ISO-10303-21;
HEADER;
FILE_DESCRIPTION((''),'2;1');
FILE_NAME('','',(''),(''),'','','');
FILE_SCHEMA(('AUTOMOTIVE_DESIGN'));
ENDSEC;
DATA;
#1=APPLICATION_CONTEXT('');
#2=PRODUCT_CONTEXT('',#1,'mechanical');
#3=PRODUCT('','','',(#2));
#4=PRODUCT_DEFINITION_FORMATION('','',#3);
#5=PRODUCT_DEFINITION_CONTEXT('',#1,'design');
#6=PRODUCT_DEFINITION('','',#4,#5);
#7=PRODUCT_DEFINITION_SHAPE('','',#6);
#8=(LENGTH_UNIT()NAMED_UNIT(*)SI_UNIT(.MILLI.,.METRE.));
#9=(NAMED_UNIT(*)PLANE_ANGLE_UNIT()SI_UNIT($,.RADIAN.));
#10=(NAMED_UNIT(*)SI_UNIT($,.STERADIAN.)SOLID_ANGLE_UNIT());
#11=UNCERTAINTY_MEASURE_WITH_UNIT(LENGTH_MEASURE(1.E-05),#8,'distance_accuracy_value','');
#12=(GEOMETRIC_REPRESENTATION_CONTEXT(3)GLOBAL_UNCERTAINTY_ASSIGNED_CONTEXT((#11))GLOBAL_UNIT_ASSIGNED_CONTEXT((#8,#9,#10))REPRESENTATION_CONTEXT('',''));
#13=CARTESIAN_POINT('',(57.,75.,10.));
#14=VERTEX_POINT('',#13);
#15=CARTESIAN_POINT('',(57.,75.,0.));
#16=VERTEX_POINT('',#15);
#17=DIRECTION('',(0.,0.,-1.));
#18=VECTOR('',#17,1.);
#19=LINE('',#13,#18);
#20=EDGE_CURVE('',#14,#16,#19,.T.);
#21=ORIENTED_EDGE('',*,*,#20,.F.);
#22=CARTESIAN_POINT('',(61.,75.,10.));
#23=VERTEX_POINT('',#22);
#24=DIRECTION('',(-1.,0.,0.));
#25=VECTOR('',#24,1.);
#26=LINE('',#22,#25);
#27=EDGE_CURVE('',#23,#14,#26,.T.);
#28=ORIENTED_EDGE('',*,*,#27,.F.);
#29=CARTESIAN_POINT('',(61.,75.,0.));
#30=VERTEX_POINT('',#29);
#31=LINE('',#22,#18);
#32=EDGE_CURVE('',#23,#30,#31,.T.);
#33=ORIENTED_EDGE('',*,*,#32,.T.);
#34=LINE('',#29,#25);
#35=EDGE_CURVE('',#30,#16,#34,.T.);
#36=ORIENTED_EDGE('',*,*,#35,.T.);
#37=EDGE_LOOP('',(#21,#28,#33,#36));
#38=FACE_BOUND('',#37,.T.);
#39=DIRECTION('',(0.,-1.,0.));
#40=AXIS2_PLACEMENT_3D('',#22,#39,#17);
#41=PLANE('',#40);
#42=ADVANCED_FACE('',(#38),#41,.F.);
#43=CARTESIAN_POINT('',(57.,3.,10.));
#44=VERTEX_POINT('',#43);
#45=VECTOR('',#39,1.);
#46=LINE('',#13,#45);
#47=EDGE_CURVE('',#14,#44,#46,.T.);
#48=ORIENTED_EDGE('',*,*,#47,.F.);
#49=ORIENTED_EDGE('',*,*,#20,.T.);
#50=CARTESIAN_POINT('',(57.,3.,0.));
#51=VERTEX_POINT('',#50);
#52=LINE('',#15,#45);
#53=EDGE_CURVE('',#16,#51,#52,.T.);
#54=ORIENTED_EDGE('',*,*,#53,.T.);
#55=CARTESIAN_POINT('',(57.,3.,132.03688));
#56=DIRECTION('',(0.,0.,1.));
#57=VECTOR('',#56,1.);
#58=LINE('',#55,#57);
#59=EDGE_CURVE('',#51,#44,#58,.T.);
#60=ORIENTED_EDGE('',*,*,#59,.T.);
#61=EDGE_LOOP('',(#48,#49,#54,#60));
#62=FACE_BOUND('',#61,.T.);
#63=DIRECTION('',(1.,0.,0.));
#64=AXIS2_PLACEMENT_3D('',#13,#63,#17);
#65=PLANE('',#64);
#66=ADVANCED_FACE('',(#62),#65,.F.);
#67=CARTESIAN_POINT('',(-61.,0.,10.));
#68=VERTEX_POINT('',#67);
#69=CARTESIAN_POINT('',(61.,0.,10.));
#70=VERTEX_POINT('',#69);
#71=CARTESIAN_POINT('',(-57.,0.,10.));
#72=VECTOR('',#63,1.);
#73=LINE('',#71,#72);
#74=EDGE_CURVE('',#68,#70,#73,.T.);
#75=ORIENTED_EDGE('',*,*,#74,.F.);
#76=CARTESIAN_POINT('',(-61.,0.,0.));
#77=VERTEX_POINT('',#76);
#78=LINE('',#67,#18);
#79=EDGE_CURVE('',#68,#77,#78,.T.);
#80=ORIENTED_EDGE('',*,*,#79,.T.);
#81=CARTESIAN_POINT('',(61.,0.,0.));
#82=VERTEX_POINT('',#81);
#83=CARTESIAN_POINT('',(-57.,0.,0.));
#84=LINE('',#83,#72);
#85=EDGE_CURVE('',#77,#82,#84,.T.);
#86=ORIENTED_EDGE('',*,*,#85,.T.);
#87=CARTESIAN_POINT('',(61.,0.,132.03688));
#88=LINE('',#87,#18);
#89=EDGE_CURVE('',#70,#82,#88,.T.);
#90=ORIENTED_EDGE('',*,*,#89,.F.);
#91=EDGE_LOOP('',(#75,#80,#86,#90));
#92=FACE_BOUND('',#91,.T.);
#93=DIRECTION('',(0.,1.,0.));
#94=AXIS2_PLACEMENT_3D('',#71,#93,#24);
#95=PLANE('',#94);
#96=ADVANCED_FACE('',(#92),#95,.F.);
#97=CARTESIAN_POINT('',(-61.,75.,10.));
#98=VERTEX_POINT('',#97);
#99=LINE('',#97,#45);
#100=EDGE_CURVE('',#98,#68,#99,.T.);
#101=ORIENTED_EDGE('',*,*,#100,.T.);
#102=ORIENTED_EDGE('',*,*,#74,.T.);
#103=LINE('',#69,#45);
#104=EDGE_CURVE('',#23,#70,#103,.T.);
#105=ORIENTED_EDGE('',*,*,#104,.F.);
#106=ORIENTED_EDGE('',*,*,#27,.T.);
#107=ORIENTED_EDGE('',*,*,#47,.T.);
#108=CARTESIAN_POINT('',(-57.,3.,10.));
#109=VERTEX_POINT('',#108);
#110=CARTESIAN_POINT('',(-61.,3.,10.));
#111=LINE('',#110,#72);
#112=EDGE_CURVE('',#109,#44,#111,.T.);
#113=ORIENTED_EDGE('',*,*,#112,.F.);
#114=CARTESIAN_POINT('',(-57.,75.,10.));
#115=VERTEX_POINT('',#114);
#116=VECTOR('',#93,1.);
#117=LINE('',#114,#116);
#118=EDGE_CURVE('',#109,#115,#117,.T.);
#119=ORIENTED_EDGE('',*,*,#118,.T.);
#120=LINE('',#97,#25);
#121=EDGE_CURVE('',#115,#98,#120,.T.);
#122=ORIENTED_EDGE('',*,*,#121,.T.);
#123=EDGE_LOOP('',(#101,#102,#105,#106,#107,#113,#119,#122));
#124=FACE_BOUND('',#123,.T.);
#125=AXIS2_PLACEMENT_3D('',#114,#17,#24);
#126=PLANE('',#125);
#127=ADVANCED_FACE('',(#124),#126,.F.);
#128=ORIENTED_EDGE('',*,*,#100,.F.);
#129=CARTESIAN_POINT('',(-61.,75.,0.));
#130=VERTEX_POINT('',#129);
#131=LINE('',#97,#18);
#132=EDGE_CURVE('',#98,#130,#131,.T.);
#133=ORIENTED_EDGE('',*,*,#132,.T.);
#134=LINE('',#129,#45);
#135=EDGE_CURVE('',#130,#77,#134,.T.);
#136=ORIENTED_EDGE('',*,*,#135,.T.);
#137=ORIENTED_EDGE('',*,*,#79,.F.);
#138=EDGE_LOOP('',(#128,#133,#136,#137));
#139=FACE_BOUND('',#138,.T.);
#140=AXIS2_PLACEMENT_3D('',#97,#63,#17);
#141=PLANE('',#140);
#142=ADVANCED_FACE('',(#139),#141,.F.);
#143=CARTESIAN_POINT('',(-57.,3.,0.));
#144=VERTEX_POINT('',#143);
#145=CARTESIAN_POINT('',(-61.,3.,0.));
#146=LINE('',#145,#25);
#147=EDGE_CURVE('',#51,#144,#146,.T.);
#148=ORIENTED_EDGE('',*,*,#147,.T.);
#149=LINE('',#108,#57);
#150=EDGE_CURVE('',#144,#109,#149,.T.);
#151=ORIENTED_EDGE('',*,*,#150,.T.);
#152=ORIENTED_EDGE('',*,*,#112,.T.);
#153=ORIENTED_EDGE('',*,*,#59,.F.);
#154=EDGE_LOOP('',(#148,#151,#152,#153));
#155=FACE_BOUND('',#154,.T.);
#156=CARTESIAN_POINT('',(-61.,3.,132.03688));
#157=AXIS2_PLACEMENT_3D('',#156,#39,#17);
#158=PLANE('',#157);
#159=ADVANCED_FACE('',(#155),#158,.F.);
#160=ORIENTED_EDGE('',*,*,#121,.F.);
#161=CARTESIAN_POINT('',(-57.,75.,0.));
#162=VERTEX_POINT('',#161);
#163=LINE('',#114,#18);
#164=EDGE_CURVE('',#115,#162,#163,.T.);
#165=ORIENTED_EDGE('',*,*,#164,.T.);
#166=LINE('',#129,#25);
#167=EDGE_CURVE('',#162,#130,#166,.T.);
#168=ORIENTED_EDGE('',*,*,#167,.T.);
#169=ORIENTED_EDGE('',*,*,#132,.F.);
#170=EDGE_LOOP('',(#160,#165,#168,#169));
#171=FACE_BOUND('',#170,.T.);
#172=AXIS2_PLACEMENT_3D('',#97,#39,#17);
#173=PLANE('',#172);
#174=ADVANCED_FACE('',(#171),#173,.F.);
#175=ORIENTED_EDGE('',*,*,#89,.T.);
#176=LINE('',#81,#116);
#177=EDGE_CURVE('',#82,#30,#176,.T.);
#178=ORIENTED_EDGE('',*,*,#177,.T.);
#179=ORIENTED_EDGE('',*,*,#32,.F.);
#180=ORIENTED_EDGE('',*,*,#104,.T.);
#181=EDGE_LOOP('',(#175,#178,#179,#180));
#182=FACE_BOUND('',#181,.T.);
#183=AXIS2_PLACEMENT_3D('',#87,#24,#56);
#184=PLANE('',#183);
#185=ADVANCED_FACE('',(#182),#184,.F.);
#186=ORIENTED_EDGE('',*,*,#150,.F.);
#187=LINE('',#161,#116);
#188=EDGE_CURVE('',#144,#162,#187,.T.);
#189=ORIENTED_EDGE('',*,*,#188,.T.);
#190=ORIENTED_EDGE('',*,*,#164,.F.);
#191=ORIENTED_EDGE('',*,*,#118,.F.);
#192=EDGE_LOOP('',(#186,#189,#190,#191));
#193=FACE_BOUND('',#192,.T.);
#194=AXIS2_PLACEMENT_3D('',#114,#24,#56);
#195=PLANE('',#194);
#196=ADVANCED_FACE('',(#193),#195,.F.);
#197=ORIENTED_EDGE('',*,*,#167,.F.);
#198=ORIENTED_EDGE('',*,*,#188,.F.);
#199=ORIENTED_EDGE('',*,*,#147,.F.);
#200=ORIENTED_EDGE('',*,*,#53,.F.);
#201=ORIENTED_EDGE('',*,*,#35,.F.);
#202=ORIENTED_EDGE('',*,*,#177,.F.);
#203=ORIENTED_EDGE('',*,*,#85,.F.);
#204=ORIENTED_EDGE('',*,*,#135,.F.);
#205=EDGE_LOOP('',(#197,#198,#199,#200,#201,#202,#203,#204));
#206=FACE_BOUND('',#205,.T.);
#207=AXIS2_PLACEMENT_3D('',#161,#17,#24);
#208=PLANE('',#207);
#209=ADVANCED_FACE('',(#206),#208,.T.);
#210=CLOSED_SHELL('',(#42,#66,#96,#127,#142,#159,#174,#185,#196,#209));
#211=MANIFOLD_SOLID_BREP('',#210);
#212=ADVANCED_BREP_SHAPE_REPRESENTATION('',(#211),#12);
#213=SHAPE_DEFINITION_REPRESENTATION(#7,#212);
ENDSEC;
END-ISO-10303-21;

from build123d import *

# Parameters (mm, degrees)
SKETCH1_W             = 4
SKETCH1_H             = 75
BOSS_EXTRUDE1_DEPTH   = 10
BOSS_EXTRUDE1_2_DEPTH = 10
SKETCH3_W             = 122
SKETCH3_H             = 3
BOSS_EXTRUDE2_DEPTH   = 10


with BuildPart() as part:
    # Sketch1 → Boss-Extrude1 (new body)
    with BuildSketch(Plane.XY):
        with Locations((-59, 37.5)):
            Rectangle(SKETCH1_W, SKETCH1_H)
    extrude(amount=BOSS_EXTRUDE1_DEPTH)



with BuildPart() as body_2:
    # Sketch1 → Boss-Extrude1 2 (new body)
    with BuildSketch(Plane.XY):
        with Locations((59, 37.5)):
            Rectangle(SKETCH1_W, SKETCH1_H)
    extrude(amount=BOSS_EXTRUDE1_2_DEPTH)


with BuildPart() as part_1:
    add(part.part)

    add(body_2.part)  # Boss-Extrude2 merges body 2
    # Sketch3 → Boss-Extrude2 (add)
    with BuildSketch(Plane.XY):
        with Locations((0, 1.5)):
            Rectangle(SKETCH3_W, SKETCH3_H)
    extrude(amount=BOSS_EXTRUDE2_DEPTH)


solid = part_1.part
